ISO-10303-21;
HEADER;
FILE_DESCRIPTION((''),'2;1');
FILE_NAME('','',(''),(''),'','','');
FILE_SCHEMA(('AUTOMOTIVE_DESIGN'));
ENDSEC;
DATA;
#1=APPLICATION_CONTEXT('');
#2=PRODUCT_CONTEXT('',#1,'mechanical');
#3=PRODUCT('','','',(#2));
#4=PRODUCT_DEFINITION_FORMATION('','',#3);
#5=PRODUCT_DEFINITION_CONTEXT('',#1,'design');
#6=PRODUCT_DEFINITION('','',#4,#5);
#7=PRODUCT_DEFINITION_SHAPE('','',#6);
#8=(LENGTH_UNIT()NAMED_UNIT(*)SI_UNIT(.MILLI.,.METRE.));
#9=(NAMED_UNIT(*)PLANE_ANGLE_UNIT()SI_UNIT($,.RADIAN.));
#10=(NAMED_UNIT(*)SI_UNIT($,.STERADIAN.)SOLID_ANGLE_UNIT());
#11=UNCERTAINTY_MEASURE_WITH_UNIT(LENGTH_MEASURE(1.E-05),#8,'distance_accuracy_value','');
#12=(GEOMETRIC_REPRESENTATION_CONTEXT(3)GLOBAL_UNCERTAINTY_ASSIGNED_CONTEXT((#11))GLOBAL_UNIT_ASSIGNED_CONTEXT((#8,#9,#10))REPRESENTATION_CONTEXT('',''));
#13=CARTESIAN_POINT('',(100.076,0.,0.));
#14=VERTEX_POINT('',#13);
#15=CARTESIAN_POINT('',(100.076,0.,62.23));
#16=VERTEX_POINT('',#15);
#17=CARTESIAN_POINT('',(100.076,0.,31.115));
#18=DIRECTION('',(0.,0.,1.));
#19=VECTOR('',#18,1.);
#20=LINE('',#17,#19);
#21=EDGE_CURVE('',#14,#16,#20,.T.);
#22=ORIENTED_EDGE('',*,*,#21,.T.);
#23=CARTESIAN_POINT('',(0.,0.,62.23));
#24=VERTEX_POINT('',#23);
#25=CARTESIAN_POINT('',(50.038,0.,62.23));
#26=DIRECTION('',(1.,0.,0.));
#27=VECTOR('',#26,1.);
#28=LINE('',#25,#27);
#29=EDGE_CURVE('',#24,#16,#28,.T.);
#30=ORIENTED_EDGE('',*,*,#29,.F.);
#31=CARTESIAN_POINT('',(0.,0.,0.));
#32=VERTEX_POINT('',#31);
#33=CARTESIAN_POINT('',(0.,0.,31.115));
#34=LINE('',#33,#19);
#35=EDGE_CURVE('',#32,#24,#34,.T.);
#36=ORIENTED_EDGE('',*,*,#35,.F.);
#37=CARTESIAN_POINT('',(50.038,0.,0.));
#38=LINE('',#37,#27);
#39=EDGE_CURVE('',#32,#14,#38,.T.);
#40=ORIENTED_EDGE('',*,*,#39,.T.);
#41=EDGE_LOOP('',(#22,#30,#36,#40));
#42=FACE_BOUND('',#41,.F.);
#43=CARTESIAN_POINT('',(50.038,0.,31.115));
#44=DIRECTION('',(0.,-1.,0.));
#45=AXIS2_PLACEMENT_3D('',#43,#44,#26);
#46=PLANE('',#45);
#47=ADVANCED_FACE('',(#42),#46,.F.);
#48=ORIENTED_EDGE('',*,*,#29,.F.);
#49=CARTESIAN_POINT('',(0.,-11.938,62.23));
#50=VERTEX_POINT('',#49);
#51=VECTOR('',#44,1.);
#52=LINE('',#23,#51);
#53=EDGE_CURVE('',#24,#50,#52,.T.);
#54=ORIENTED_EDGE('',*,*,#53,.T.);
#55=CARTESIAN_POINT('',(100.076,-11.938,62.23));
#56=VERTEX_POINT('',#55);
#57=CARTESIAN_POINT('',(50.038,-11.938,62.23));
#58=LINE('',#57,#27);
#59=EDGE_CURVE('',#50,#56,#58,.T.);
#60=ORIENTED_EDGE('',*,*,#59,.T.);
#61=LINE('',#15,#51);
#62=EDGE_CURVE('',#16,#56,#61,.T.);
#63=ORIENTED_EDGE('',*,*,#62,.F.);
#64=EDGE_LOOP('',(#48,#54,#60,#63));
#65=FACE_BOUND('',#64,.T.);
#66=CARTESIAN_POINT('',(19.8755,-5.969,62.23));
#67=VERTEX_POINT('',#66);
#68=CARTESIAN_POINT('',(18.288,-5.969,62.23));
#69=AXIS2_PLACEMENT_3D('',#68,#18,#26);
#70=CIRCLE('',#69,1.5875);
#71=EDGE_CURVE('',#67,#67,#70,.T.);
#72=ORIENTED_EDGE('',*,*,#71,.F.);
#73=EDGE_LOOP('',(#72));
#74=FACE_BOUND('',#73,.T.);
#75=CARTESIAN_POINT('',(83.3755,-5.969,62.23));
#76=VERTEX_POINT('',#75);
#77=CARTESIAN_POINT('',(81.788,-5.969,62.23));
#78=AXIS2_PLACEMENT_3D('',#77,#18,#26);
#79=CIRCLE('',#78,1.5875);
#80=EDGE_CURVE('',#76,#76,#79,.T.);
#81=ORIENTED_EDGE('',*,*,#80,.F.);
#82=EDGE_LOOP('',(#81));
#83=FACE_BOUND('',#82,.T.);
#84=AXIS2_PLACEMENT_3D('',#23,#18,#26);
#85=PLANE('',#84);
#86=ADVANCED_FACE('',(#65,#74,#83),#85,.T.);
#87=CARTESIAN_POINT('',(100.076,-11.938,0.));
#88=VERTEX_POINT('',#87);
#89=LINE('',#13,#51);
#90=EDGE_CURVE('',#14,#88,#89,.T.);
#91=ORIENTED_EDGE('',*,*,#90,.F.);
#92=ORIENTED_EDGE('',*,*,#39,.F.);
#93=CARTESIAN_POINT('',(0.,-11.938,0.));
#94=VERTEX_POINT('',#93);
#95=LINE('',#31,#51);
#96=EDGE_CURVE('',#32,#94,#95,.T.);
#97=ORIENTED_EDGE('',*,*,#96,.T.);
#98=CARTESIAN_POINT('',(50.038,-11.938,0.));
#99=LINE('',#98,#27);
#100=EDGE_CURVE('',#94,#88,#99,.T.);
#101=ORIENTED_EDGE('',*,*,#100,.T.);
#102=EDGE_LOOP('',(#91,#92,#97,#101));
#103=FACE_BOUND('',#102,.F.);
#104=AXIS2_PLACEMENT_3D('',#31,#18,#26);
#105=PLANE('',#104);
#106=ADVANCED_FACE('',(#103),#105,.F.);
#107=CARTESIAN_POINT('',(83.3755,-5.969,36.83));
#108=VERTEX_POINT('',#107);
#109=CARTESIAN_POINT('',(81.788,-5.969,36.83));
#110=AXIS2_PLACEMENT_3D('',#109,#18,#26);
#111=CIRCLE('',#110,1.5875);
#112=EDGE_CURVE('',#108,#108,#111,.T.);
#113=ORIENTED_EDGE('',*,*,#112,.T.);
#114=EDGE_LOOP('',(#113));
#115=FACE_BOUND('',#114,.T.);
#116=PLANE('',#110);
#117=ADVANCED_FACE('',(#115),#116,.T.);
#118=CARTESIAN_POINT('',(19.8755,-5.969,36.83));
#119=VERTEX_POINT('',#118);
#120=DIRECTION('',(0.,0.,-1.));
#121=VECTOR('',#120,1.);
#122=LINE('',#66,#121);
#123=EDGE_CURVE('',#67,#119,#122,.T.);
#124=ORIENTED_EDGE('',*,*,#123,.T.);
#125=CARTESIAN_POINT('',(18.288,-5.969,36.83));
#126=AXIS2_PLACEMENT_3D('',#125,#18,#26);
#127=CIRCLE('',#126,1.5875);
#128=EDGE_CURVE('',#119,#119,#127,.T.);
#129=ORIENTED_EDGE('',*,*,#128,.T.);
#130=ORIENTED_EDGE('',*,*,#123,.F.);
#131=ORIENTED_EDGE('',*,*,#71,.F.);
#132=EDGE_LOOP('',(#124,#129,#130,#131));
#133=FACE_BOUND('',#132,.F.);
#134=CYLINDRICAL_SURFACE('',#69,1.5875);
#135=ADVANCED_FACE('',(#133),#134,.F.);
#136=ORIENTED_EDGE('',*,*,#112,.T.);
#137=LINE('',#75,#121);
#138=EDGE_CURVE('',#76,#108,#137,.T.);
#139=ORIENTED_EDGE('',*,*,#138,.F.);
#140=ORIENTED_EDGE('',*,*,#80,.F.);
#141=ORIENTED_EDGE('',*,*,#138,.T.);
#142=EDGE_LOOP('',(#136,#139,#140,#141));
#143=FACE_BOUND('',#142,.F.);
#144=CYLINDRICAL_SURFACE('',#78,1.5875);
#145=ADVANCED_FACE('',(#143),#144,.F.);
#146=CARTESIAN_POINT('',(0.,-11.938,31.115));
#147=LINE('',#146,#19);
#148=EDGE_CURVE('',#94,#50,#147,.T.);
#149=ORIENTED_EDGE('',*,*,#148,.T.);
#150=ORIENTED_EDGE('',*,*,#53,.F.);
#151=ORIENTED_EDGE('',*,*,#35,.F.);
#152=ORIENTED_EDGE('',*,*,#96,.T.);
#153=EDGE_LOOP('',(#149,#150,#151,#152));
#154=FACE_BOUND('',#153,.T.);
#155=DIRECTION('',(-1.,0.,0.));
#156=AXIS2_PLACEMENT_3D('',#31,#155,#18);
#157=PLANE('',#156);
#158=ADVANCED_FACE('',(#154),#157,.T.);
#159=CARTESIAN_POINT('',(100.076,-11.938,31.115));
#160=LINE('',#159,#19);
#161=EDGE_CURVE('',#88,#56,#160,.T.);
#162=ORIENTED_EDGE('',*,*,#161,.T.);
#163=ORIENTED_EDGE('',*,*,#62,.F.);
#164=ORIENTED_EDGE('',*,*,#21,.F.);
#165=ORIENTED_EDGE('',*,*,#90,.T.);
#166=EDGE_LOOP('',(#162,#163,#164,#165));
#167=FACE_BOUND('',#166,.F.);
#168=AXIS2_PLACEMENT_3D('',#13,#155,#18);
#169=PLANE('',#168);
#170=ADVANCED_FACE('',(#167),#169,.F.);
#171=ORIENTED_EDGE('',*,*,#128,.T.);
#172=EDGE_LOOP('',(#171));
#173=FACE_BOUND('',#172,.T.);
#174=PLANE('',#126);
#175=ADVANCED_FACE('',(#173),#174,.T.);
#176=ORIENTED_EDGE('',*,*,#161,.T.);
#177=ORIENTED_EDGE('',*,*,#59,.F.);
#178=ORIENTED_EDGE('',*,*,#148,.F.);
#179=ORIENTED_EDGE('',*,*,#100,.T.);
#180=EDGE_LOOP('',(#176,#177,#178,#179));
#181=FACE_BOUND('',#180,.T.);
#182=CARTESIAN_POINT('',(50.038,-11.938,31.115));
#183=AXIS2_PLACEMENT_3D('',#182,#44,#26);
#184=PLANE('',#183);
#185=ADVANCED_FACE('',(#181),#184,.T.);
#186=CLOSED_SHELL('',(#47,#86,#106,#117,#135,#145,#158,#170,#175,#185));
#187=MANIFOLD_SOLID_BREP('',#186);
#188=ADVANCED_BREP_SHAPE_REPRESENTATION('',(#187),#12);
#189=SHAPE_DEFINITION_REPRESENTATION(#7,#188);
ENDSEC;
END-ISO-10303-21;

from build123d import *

# Parameters (mm, degrees)
F0_W     = 100.076
F0_H     = 62.23
F1_DEPTH = 11.938
F2_R     = 1.5875
F3_DEPTH = 25.4


with BuildPart() as f1:
    # F0 (on Front) → F1 (new body)
    with BuildSketch(Plane.XZ):
        with Locations((50.038, 31.115)):
            Rectangle(F0_W, F0_H)
    extrude(amount=F1_DEPTH)

    # F2 (on face) → F3 (cut)
    with BuildSketch(Plane.XY.offset(62.23)):
        with Locations((18.288, -5.969)):
            Circle(F2_R)
        with Locations((81.788, -5.969)):
            Circle(F2_R)
    extrude(amount=-F3_DEPTH, mode=Mode.SUBTRACT)


solid = f1.part
